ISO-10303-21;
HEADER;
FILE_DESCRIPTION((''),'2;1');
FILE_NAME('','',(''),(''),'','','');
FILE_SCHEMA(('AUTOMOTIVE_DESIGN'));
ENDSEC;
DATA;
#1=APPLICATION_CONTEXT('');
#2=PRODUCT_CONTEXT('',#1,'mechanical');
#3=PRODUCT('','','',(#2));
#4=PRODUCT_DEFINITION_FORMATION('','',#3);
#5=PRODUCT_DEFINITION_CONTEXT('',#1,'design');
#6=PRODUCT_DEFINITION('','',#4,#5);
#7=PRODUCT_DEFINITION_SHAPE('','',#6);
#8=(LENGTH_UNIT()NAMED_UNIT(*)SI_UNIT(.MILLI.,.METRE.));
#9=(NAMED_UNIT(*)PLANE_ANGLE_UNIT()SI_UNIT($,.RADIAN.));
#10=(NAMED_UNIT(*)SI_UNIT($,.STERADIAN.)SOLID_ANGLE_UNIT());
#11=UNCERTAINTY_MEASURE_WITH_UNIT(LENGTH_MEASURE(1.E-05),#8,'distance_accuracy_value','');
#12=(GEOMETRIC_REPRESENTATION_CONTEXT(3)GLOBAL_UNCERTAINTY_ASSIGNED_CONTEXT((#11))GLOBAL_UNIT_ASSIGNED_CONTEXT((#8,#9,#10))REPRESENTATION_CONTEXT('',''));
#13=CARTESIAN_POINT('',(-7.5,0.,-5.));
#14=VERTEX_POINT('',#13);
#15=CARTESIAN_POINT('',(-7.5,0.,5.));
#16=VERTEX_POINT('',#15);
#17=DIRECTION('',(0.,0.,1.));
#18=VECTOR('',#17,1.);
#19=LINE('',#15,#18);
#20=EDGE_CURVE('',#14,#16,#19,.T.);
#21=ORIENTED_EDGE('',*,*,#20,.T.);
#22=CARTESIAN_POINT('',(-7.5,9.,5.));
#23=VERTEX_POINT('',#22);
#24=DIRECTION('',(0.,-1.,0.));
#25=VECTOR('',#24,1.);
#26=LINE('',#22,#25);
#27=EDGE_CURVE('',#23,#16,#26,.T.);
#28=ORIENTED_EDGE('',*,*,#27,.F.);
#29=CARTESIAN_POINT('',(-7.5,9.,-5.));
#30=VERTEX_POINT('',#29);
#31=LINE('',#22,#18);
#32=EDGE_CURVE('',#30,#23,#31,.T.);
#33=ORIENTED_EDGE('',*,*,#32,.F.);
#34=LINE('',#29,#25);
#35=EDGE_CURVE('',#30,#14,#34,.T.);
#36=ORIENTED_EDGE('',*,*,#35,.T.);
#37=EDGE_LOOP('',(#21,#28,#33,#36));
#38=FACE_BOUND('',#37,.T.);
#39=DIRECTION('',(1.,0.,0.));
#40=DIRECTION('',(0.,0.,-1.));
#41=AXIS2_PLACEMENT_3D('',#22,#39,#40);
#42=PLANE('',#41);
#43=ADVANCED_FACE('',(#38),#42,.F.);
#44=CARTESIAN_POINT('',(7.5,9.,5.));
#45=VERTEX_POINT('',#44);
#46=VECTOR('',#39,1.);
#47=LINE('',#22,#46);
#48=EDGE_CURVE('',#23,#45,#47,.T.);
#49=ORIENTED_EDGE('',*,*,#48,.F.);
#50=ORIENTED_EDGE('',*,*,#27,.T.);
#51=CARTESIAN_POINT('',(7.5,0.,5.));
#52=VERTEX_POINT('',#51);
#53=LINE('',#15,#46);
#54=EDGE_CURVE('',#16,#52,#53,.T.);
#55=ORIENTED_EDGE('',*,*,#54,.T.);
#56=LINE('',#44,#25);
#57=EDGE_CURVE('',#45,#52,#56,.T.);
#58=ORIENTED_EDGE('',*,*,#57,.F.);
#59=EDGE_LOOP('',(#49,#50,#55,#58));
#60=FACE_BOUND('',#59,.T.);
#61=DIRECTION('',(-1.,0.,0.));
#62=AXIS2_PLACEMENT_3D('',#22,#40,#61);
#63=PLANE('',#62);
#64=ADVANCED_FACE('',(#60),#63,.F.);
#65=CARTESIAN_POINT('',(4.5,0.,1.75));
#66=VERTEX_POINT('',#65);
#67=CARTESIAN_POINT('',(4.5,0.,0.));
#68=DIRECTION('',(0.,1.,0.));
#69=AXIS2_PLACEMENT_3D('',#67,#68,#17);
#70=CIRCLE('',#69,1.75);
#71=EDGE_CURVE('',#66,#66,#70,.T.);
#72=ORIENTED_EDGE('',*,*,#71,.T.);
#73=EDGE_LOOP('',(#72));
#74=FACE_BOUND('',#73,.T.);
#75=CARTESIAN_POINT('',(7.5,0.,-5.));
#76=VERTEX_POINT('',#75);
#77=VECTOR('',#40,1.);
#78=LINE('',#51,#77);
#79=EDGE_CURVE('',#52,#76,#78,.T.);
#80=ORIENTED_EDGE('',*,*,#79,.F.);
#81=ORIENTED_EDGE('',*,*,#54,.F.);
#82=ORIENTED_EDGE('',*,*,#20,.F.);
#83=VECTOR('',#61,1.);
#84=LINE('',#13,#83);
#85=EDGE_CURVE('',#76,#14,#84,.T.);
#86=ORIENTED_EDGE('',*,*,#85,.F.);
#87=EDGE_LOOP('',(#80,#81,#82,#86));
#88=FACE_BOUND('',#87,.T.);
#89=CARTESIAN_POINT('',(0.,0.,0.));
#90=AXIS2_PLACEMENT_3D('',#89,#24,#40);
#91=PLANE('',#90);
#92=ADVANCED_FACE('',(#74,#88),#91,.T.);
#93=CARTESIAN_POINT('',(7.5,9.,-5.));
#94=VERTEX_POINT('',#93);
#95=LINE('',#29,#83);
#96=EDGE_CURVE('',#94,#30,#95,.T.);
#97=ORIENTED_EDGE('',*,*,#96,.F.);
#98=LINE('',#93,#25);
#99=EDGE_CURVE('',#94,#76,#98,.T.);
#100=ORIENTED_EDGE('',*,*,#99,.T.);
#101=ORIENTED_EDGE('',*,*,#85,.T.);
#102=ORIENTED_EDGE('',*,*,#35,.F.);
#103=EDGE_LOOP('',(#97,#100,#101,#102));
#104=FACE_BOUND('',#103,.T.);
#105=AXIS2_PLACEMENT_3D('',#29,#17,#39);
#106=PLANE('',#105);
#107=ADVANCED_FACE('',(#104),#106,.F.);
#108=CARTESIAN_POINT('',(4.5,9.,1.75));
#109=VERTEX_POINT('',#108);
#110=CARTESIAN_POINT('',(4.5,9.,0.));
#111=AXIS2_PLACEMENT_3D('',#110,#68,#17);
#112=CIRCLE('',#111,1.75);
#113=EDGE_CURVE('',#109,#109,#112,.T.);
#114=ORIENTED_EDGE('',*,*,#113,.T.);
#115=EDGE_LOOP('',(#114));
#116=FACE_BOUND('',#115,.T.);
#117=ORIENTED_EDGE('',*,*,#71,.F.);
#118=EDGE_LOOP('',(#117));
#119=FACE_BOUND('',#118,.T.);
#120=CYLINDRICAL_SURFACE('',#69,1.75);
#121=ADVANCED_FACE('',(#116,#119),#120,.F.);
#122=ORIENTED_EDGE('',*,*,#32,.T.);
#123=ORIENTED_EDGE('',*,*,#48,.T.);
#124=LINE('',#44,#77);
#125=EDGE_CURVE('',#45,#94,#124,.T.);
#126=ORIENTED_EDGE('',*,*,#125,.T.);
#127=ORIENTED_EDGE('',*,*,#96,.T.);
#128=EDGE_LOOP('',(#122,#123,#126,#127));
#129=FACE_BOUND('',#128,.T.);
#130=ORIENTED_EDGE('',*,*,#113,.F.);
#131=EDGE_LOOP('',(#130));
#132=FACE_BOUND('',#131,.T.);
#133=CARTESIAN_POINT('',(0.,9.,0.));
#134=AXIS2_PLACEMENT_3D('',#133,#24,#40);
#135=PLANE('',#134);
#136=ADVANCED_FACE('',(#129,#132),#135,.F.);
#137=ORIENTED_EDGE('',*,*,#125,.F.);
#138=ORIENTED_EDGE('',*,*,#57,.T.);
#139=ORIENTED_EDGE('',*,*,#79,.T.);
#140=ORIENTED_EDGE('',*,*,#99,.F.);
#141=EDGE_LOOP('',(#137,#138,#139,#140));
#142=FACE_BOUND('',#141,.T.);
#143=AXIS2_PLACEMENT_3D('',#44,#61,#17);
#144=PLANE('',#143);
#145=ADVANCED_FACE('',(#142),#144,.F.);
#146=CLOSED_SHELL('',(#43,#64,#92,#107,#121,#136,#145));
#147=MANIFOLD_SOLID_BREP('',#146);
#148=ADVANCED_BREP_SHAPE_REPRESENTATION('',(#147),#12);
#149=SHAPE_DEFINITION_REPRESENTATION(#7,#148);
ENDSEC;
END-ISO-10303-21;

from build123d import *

# Parameters (mm, degrees)
SKETCH1_W           = 15
SKETCH1_H           = 10
BOSS_EXTRUDE1_DEPTH = 9
SKETCH3_R           = 1.75
CUT_EXTRUDE1_DEPTH  = 13.737739203


with BuildPart() as part:
    # Sketch1 → Boss-Extrude1 (new body)
    with BuildSketch(Plane(origin=(0, 0, 0), x_dir=(1, 0, 0), z_dir=(0, 1, 0))):
        Rectangle(SKETCH1_W, SKETCH1_H)
    extrude(amount=BOSS_EXTRUDE1_DEPTH)

    # Sketch3 → Cut-Extrude1 (cut, through all)
    with BuildSketch(Plane(origin=(0, 9, 0), x_dir=(1, 0, 0), z_dir=(0, 1, 0))):
        with Locations(Location((4.5, 0, 0), (0, 0, 270))):
            Circle(SKETCH3_R)
    extrude(amount=-CUT_EXTRUDE1_DEPTH, mode=Mode.SUBTRACT)


solid = part.part
